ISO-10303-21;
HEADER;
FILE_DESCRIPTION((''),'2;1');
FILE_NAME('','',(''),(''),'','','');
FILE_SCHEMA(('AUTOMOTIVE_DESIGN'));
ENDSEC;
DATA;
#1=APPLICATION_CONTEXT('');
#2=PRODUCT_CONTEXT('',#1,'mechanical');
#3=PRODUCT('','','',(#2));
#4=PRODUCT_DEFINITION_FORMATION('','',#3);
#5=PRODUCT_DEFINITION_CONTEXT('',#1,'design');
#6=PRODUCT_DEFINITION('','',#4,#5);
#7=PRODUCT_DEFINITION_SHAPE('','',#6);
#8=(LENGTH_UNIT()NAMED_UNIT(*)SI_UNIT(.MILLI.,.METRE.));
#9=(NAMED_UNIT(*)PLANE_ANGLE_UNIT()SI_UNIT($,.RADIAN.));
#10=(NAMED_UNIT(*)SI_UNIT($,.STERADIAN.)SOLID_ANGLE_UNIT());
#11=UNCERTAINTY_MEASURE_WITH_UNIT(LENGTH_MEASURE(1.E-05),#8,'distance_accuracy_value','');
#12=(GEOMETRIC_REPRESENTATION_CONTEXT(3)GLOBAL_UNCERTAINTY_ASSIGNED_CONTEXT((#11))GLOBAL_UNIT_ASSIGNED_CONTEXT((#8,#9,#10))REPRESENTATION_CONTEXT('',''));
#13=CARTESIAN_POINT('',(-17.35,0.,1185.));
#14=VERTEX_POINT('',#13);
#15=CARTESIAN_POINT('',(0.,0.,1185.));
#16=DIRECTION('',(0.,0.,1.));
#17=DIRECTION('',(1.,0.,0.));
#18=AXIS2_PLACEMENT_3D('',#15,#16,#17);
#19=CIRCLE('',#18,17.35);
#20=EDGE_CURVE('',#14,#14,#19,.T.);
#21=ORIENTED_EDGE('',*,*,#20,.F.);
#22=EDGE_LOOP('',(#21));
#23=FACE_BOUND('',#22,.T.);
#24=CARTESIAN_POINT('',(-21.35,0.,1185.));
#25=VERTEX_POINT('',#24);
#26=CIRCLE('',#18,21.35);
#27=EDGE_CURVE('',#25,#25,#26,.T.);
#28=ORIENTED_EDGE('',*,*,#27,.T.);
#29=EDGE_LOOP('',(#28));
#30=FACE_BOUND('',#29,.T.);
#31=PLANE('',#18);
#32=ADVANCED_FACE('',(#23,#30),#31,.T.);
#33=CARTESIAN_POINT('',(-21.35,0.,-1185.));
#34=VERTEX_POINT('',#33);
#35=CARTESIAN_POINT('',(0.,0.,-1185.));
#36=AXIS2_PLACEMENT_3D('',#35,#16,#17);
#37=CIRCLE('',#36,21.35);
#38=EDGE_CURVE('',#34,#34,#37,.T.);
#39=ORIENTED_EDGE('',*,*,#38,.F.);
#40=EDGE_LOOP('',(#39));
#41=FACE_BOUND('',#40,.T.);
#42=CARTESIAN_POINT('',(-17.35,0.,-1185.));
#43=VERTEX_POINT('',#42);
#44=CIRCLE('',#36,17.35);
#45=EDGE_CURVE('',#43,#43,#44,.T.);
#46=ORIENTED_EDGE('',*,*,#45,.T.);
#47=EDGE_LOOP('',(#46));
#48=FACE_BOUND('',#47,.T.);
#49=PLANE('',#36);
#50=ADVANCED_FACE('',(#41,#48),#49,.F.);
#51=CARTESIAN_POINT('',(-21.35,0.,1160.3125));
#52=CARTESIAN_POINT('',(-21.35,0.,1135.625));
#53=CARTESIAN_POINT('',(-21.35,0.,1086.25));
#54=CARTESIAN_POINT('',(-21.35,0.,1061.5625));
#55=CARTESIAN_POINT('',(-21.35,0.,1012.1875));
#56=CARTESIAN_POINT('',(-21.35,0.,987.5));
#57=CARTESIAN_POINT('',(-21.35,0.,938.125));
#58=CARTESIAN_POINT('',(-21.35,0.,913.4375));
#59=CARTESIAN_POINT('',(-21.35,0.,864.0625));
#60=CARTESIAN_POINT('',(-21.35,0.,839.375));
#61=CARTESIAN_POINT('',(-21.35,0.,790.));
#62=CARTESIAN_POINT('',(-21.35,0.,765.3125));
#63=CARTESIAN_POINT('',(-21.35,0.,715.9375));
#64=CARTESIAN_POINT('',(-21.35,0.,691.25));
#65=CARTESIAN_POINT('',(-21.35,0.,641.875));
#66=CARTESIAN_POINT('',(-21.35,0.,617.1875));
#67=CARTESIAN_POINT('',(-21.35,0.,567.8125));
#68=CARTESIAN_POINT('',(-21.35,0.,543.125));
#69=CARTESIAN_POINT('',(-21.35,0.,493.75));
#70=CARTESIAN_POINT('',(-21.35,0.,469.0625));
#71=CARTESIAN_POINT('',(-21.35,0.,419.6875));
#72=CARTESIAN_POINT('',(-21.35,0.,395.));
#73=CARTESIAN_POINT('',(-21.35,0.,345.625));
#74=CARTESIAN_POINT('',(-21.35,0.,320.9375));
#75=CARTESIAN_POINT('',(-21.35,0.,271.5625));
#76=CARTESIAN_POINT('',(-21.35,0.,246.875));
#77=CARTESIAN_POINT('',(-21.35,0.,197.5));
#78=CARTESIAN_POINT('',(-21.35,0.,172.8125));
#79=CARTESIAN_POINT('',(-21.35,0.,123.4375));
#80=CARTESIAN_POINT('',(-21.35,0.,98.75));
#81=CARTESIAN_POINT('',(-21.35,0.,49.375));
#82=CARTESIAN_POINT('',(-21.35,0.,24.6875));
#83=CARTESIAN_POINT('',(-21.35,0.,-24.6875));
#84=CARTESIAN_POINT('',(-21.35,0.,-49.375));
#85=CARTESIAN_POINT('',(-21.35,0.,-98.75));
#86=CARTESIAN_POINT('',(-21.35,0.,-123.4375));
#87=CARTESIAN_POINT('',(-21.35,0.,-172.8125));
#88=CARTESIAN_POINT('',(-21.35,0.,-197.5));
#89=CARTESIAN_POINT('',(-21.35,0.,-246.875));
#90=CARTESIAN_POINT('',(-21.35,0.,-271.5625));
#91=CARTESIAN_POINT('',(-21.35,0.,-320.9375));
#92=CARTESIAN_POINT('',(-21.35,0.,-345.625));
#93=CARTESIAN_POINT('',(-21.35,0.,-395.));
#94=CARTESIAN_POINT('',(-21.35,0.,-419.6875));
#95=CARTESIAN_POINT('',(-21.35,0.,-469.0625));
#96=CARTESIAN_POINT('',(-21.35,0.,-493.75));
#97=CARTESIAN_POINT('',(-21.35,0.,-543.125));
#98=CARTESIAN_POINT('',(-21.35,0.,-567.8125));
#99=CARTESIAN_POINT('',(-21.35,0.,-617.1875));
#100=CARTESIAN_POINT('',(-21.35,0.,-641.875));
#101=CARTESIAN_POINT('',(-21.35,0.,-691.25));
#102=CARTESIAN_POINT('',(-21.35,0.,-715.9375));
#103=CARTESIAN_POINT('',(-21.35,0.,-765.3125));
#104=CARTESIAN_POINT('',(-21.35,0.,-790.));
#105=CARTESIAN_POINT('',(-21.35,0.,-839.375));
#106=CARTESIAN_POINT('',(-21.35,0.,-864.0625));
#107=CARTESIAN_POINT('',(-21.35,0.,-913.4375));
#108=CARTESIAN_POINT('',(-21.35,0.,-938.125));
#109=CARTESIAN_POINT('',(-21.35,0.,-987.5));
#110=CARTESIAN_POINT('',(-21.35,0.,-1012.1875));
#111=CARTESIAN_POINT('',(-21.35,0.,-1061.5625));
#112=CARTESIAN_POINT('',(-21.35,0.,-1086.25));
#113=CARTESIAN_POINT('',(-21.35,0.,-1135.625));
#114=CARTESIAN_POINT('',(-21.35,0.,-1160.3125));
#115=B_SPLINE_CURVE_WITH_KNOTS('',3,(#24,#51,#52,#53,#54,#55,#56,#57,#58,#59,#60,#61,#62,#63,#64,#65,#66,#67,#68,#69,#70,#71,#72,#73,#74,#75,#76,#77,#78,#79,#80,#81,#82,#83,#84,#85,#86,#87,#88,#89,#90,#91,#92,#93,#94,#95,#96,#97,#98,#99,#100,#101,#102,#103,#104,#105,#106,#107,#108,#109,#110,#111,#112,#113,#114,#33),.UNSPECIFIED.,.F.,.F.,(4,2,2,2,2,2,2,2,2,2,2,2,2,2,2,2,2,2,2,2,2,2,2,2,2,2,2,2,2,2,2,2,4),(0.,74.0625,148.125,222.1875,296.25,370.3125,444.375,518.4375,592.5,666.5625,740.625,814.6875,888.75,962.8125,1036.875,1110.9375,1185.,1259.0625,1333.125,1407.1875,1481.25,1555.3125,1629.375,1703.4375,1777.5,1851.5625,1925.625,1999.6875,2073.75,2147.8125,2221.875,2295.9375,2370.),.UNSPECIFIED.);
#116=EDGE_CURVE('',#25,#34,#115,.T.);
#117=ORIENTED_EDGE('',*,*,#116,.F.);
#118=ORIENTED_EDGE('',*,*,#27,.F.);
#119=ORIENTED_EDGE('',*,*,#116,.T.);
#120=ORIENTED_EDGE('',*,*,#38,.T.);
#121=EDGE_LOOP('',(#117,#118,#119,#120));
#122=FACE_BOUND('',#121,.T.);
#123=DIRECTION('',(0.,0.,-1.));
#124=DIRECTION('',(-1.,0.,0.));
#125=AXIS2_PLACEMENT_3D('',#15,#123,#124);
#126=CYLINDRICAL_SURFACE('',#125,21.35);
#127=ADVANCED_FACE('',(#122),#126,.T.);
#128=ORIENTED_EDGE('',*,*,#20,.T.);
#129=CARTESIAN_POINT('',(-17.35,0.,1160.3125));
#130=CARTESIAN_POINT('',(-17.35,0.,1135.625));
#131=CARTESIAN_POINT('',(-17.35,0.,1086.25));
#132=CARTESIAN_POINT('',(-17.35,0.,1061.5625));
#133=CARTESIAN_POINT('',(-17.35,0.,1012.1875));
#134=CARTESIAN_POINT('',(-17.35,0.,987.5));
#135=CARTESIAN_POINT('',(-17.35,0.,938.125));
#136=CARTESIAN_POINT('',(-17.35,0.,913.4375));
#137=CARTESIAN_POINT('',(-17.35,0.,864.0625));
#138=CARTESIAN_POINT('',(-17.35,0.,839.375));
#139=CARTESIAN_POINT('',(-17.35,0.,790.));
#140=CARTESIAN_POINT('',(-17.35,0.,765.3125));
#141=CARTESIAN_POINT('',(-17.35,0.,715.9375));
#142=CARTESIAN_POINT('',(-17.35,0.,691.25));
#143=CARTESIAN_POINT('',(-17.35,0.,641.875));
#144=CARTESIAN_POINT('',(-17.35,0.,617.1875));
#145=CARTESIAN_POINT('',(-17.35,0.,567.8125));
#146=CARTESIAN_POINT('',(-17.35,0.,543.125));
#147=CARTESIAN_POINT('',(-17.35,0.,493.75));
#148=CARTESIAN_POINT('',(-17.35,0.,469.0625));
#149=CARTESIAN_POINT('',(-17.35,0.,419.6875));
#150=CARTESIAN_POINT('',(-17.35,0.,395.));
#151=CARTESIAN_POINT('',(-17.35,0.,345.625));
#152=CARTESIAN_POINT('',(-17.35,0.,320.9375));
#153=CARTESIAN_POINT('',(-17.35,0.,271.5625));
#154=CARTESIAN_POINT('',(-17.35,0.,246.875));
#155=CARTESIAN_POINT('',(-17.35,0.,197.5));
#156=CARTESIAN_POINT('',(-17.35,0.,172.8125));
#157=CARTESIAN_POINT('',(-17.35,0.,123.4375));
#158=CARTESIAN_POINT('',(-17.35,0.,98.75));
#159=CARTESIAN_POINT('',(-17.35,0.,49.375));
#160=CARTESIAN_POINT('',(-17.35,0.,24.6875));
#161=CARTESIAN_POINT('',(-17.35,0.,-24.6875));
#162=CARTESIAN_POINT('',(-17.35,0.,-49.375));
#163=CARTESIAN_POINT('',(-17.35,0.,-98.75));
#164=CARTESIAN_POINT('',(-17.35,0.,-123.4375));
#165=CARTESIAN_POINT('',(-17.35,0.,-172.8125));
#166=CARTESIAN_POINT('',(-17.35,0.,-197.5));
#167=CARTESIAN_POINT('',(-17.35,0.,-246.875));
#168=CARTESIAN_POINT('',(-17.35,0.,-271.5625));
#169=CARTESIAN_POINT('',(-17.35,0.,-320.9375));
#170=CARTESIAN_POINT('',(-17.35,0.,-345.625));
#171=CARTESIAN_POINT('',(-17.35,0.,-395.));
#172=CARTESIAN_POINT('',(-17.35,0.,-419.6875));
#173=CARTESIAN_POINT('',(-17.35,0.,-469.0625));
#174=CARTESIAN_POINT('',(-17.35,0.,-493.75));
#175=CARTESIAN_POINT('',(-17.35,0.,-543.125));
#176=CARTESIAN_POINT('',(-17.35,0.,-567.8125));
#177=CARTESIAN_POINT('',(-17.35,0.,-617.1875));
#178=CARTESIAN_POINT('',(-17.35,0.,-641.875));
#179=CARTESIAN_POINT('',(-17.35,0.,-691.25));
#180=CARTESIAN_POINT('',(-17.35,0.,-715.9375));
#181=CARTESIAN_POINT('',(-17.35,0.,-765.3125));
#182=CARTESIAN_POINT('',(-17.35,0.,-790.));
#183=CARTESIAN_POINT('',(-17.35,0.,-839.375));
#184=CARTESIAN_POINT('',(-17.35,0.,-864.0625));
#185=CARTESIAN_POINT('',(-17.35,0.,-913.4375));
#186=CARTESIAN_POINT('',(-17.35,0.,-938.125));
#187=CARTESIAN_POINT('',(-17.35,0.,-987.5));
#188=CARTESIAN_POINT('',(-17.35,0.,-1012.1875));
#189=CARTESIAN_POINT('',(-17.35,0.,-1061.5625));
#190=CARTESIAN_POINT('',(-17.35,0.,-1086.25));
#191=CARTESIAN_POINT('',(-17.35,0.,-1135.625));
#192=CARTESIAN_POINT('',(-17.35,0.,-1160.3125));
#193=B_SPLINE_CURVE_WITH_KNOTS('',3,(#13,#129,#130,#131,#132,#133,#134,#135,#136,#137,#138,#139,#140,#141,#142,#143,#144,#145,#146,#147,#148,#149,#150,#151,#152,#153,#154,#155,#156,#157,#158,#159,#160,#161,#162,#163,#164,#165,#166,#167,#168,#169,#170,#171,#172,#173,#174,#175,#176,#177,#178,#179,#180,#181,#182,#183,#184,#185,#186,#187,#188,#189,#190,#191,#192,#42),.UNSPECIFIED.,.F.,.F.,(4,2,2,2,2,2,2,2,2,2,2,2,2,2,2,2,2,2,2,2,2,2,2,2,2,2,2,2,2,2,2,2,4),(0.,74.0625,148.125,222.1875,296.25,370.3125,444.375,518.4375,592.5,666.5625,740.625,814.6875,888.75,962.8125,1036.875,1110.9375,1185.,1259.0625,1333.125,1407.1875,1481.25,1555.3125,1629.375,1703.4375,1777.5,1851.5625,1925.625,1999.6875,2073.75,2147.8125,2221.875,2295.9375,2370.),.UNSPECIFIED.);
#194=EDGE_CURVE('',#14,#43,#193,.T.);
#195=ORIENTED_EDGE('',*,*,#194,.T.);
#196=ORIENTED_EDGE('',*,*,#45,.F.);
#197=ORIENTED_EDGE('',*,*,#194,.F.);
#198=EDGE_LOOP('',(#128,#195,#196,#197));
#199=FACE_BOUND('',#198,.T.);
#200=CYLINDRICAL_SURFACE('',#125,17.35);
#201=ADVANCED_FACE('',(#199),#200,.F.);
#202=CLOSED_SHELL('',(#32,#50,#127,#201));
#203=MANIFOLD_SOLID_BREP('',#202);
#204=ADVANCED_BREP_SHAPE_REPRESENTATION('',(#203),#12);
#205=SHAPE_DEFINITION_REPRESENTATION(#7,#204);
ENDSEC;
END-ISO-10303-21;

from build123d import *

# Parameters (mm, degrees)
SKIZZE1_R               = 21.35
SKIZZE1_R_2             = 17.35
LINEAR_AUSTRAGEN1_DEPTH = 1185


with BuildPart() as part:
    # Skizze1 → Linear austragen1 (new, symmetric)
    with BuildSketch(Plane.XY):
        with Locations(Location((0, 0, 0), (0, 0, 180))):
            Circle(SKIZZE1_R)
        with Locations(Location((0, 0, 0), (0, 0, 180))):
            Circle(SKIZZE1_R_2, mode=Mode.SUBTRACT)
    extrude(amount=LINEAR_AUSTRAGEN1_DEPTH, both=True)


solid = part.part
